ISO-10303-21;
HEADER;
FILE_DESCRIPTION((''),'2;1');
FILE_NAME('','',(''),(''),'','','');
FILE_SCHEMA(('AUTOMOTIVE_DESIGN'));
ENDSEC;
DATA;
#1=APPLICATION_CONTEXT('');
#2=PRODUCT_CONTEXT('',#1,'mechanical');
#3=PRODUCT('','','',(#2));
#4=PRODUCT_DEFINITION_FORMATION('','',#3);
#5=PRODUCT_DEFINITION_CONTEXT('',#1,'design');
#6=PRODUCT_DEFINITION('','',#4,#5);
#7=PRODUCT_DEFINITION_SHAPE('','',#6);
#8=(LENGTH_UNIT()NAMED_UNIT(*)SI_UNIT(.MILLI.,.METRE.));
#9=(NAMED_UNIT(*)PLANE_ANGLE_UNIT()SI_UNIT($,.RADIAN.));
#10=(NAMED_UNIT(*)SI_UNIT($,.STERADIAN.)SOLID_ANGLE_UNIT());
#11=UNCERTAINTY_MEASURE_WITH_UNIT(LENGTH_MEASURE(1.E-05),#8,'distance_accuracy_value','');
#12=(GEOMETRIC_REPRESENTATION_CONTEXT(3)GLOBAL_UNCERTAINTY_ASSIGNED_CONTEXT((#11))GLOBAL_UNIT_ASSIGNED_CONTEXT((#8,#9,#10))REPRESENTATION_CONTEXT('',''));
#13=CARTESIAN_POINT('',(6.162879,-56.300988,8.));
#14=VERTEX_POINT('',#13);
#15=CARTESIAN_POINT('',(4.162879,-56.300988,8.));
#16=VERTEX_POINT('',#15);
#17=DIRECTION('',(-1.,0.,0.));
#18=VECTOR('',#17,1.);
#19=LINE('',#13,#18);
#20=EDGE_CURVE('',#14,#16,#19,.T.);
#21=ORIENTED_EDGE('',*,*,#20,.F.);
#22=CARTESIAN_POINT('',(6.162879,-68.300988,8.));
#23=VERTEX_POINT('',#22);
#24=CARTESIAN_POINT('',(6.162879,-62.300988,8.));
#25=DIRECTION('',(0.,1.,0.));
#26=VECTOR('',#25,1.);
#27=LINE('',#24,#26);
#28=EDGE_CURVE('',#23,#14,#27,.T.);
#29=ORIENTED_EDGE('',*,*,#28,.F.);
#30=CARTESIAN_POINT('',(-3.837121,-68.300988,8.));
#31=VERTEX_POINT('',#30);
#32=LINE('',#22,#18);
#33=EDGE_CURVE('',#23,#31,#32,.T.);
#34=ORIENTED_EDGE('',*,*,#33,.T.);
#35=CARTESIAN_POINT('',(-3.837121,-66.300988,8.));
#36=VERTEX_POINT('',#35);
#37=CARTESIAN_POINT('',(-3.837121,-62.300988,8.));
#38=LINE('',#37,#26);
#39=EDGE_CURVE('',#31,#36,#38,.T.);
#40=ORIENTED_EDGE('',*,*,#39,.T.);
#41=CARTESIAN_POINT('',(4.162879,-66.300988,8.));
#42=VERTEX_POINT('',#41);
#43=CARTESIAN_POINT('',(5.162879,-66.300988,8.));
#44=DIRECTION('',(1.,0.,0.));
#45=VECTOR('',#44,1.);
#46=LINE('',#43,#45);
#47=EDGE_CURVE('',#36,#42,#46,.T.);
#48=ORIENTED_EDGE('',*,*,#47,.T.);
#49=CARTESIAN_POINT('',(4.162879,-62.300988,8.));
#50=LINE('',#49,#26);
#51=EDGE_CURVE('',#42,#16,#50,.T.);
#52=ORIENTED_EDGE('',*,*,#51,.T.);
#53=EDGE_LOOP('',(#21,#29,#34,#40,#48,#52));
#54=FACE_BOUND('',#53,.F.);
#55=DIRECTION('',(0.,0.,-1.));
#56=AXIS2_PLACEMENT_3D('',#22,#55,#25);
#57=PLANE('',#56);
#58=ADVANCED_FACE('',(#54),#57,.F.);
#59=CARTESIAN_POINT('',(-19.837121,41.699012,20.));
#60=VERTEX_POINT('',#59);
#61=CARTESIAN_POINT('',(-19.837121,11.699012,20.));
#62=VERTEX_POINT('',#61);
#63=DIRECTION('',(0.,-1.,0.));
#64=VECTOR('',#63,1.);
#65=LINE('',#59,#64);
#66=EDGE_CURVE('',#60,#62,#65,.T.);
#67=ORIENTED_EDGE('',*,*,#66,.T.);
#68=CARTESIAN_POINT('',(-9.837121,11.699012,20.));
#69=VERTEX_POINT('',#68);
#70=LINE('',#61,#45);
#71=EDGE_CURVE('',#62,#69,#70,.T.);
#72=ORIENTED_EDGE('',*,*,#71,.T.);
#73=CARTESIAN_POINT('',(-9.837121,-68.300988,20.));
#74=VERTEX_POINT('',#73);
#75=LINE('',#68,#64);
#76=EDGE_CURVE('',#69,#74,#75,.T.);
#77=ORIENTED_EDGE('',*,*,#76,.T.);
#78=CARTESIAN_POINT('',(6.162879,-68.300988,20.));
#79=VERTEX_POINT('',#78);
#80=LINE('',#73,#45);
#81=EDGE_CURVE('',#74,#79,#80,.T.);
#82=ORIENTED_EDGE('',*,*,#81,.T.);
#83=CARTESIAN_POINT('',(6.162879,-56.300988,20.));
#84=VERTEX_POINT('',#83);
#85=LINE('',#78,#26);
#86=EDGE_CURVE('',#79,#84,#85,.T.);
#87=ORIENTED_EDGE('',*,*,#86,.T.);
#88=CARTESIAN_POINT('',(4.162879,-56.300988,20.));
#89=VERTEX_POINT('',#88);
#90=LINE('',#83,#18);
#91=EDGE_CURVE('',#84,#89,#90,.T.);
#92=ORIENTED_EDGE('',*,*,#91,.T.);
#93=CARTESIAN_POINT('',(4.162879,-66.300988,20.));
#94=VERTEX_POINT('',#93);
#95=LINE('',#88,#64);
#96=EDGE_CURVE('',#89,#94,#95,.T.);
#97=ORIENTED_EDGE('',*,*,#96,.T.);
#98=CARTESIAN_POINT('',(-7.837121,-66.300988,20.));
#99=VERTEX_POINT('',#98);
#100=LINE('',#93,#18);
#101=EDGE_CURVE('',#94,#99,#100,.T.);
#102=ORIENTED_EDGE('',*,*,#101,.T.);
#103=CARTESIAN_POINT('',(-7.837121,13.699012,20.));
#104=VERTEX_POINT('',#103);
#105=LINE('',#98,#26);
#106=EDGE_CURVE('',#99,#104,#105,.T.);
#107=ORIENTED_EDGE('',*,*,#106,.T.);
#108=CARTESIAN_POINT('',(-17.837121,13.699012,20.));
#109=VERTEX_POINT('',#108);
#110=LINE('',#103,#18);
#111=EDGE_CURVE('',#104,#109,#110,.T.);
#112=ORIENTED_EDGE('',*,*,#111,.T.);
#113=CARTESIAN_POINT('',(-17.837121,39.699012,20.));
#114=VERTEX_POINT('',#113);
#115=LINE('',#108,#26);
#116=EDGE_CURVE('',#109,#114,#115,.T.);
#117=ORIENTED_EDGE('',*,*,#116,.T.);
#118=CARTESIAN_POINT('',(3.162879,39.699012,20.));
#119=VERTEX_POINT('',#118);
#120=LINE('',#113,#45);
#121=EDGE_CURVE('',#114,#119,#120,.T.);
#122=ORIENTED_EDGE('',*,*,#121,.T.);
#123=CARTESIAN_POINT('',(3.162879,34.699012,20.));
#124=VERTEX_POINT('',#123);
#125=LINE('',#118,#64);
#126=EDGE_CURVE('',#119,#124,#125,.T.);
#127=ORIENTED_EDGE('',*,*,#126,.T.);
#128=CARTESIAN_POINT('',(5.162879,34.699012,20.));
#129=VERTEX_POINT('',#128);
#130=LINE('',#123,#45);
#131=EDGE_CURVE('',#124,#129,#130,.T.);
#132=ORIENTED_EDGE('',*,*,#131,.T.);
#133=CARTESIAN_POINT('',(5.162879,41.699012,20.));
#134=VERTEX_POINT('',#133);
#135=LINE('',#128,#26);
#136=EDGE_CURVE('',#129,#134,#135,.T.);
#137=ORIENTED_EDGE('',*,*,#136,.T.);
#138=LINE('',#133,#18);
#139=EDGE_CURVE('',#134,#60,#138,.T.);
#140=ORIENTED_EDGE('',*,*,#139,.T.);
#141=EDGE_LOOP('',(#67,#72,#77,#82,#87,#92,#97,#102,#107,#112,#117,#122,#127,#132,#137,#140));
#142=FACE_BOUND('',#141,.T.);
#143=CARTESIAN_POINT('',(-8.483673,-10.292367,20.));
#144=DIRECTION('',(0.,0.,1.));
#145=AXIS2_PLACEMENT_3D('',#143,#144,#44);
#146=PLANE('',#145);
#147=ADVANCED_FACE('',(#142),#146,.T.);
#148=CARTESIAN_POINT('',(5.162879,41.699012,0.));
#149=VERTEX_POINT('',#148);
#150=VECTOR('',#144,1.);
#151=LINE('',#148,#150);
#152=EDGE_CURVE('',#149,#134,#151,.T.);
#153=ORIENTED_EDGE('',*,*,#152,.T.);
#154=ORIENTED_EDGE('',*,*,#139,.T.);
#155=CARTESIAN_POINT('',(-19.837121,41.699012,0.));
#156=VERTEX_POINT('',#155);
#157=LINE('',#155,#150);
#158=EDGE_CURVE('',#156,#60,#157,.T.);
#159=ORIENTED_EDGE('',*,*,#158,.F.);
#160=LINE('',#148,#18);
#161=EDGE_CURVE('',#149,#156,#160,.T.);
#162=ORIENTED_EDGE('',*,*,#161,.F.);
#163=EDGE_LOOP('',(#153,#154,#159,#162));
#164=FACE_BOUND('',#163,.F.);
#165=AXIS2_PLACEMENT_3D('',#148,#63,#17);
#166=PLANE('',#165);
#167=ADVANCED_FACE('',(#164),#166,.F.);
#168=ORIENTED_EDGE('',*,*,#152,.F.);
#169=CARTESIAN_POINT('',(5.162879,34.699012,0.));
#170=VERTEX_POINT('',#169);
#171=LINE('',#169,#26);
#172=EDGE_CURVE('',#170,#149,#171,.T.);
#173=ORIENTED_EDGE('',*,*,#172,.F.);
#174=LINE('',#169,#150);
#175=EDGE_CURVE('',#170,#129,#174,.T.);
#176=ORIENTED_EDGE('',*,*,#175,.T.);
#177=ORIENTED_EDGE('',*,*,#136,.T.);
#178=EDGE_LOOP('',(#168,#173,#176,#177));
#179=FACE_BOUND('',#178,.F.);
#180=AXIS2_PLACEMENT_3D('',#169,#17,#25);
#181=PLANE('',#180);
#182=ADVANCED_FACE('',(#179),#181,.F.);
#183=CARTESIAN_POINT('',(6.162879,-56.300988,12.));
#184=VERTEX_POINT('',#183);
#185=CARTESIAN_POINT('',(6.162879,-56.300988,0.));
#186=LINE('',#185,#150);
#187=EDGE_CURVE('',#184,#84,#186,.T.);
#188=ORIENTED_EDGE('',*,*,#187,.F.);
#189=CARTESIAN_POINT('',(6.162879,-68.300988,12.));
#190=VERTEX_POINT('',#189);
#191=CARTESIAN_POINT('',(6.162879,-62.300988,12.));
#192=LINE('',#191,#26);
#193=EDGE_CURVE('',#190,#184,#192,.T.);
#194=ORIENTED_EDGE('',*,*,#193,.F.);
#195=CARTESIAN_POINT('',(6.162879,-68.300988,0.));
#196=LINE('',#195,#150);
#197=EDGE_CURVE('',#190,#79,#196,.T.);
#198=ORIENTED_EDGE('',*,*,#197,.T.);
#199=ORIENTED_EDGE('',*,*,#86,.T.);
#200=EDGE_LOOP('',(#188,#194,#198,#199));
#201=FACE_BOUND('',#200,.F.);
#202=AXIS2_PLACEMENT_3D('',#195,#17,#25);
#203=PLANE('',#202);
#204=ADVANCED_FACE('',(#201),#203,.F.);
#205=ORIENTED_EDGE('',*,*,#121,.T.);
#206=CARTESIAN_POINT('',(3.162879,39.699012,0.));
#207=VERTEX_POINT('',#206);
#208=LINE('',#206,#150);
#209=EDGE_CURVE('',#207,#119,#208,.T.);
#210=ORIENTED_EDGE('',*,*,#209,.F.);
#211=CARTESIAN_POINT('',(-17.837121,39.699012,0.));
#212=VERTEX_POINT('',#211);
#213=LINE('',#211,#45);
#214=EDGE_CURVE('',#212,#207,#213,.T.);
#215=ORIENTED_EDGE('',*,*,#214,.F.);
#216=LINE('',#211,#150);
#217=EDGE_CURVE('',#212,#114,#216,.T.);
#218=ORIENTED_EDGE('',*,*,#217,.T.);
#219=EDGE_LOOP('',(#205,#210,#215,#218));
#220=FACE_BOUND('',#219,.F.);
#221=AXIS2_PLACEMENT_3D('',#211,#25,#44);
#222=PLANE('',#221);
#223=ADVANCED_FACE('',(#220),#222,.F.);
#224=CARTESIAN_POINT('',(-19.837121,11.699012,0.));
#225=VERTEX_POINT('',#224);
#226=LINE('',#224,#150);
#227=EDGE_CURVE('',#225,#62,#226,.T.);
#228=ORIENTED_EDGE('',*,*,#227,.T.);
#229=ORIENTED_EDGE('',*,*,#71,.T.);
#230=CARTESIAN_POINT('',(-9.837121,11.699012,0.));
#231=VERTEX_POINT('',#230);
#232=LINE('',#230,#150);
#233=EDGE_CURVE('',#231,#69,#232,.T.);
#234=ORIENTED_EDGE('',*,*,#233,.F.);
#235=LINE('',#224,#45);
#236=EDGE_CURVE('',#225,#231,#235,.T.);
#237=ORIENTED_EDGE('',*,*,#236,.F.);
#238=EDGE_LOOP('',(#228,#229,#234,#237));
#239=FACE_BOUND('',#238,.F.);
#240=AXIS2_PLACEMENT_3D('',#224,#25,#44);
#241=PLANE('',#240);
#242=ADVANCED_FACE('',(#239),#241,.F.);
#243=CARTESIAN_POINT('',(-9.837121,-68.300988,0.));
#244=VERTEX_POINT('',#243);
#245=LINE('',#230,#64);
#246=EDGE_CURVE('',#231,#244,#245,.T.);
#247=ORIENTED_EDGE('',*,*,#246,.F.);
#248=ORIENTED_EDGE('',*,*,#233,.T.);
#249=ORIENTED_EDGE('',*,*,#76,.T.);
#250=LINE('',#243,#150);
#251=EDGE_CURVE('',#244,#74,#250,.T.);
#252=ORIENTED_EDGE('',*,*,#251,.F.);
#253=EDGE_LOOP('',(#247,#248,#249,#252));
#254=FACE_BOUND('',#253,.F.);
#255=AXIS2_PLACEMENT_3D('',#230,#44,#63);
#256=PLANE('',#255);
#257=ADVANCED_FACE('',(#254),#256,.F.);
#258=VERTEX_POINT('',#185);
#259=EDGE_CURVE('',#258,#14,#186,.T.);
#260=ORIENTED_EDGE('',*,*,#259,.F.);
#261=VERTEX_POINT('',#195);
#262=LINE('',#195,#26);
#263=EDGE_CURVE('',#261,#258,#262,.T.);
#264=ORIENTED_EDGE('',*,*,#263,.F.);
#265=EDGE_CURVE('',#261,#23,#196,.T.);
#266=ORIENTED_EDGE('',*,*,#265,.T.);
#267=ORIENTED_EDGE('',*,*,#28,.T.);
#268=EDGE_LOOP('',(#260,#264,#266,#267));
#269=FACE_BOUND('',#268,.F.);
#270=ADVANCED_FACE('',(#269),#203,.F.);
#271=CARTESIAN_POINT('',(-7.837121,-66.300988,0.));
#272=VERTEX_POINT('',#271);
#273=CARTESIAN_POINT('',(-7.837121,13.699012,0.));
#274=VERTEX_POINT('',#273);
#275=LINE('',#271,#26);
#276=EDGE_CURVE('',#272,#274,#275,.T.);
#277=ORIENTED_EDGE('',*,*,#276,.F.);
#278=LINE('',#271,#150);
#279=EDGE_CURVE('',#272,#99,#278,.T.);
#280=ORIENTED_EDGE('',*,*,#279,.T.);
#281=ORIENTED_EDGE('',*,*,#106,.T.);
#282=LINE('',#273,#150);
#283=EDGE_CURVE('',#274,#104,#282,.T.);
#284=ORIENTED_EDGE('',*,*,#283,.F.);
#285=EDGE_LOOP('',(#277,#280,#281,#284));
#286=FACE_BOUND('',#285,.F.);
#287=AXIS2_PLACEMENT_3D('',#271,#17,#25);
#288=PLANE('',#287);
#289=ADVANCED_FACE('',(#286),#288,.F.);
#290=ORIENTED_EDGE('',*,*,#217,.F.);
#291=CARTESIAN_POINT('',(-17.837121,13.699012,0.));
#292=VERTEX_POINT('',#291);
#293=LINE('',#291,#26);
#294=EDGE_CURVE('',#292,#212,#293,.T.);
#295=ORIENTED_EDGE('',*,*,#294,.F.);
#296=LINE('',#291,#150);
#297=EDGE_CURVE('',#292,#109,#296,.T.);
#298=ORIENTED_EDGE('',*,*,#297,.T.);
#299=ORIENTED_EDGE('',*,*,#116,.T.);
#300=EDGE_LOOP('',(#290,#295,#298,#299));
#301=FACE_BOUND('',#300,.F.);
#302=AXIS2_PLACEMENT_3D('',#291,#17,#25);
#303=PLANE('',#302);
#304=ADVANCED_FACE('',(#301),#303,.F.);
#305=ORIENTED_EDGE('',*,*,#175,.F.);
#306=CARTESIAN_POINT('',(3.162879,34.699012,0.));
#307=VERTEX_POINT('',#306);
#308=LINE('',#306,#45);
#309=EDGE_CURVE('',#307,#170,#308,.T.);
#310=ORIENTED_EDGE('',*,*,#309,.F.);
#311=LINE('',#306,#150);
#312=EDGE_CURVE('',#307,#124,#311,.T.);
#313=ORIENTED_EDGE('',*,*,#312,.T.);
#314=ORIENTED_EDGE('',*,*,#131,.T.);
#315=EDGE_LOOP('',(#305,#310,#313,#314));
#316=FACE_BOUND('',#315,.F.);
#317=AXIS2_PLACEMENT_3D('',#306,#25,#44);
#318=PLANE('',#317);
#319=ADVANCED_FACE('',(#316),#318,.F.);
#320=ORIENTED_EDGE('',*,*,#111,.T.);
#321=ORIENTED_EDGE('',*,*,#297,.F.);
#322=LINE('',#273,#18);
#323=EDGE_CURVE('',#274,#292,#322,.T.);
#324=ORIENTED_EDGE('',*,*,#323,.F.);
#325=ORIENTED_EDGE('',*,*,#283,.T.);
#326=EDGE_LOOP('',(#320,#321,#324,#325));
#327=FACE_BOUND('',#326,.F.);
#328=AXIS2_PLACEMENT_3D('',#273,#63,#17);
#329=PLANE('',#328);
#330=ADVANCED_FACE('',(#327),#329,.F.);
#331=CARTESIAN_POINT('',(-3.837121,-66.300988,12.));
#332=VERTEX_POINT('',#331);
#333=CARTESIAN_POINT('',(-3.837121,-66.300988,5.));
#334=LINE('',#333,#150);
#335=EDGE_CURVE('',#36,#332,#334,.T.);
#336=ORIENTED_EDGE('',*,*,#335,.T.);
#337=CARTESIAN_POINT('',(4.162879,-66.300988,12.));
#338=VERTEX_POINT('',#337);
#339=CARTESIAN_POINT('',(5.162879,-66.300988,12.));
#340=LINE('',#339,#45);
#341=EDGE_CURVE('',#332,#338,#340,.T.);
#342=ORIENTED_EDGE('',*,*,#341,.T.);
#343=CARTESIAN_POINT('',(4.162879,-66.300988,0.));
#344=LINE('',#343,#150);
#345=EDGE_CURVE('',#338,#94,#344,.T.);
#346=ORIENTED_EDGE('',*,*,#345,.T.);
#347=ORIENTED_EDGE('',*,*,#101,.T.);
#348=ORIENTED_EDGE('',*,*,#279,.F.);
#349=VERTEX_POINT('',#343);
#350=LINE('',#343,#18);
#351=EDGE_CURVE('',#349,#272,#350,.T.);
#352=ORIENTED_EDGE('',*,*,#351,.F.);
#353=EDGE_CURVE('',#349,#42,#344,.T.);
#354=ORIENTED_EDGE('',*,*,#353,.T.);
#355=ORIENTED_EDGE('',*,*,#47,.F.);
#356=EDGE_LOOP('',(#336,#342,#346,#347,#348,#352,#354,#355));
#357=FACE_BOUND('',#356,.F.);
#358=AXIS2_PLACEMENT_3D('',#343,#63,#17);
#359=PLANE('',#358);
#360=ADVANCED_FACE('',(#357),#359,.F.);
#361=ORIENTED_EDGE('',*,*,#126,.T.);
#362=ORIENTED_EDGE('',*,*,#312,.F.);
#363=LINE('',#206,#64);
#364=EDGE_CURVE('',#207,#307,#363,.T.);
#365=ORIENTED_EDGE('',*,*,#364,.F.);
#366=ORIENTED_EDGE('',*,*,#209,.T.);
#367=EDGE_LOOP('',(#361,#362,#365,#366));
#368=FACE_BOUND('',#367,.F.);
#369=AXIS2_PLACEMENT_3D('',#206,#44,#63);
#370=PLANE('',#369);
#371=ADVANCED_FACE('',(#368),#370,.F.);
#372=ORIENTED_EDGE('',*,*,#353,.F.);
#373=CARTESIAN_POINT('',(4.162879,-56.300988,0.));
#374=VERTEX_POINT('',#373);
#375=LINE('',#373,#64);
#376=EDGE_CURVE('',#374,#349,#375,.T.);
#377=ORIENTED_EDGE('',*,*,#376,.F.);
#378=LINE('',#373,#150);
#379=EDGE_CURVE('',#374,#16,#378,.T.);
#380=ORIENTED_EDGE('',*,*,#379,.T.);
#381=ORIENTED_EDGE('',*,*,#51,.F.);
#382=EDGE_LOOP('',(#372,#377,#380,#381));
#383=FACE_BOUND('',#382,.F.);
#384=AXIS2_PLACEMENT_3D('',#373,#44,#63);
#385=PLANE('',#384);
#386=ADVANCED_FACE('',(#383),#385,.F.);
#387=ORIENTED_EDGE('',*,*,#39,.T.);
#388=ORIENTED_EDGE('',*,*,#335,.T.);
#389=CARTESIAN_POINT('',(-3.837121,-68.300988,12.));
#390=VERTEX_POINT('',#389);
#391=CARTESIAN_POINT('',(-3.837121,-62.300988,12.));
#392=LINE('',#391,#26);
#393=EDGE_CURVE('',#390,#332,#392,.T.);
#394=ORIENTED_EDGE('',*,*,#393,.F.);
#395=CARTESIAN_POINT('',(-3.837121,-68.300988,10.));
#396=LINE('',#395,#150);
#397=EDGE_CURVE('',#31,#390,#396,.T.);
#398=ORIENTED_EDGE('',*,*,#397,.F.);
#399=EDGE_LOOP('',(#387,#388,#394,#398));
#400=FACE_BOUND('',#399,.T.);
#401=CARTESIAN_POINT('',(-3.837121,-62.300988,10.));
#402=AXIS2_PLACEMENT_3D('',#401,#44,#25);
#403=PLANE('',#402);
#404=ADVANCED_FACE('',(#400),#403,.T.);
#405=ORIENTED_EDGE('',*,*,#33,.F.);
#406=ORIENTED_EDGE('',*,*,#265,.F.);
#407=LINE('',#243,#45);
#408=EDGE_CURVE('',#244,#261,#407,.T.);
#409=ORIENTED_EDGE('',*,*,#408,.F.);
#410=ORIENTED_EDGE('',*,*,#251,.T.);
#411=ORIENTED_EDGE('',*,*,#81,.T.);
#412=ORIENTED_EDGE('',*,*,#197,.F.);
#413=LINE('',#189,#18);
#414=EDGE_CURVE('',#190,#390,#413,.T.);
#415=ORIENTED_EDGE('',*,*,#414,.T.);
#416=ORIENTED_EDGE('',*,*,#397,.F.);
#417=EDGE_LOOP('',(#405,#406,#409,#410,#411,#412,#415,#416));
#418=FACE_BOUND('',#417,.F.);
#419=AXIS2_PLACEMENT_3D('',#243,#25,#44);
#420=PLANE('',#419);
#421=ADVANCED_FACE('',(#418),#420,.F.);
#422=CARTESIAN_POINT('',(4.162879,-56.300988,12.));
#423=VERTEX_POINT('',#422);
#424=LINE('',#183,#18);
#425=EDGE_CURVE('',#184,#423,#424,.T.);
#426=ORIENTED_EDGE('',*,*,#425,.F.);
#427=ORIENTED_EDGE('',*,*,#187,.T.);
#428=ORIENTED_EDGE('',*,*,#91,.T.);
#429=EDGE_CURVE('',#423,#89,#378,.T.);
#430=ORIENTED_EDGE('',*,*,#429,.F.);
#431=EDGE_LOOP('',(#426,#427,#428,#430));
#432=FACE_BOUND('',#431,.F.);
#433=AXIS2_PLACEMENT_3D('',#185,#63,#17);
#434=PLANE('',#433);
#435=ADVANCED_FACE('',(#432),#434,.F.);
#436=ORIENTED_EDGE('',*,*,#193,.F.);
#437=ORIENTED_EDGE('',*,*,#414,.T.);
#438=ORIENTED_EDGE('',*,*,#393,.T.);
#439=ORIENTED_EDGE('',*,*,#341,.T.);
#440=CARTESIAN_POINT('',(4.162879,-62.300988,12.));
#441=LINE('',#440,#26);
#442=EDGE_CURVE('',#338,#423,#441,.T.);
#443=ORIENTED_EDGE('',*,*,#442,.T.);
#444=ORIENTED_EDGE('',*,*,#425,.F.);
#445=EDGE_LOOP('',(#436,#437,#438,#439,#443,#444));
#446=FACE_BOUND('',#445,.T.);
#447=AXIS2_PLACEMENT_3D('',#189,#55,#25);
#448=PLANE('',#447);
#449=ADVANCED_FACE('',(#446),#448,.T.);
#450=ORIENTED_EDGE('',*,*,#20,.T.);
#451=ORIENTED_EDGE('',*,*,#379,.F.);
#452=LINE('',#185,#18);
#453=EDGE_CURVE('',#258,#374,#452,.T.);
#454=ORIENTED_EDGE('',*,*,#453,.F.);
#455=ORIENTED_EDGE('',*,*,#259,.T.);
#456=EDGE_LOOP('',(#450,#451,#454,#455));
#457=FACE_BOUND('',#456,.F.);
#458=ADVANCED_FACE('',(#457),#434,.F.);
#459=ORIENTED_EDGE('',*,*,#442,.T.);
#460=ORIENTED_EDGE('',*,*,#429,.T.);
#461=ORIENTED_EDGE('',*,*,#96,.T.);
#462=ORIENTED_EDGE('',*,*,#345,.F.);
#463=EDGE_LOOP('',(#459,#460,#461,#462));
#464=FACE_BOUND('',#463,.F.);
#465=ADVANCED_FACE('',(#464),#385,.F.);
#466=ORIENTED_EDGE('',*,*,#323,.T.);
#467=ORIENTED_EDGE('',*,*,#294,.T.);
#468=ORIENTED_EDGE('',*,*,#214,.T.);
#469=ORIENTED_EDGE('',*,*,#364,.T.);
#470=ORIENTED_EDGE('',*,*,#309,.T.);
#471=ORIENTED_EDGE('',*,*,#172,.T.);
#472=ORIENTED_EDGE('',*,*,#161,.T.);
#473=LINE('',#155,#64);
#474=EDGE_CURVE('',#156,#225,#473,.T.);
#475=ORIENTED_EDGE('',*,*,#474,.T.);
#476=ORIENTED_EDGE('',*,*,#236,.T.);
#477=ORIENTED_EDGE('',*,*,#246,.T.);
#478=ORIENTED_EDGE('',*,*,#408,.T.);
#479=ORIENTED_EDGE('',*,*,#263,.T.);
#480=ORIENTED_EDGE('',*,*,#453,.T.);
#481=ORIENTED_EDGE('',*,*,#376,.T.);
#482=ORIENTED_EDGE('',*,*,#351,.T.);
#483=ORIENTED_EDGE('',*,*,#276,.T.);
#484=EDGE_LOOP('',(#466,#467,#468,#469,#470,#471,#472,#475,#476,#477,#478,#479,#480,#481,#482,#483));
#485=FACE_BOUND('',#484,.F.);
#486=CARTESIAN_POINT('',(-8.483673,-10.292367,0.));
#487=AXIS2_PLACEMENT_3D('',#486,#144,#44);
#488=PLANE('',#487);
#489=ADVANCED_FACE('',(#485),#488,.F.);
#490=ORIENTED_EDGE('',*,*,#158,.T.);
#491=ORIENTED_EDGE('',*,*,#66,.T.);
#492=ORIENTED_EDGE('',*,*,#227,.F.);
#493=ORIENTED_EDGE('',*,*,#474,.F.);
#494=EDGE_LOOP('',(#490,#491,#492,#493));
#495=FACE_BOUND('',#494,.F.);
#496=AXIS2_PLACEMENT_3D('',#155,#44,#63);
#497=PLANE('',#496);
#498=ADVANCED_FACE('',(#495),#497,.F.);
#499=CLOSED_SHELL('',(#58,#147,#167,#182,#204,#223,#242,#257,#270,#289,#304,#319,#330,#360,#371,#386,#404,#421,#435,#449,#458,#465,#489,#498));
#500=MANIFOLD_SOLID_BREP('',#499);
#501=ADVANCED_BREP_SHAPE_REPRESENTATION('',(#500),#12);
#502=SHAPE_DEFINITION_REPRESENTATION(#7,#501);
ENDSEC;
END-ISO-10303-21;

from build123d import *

# Parameters (mm, degrees)
F1_DEPTH = 20
F2_W     = 12
F2_H     = 4
F3_DEPTH = 10


with BuildPart() as f1:
    # F0 (on Top) → F1 (new body)
    with BuildSketch(Plane.XY):
        Polygon((3.162879, 39.699012), (3.162879, 34.699012), (5.162879, 34.699012), (5.162879, 41.699012), (-19.837121, 41.699012), (-19.837121, 11.699012), (-9.837121, 11.699012), (-9.837121, -68.300988), (6.162879, -68.300988), (6.162879, -56.300988), (4.162879, -56.300988), (4.162879, -66.300988), (-7.837121, -66.300988), (-7.837121, 13.699012), (-17.837121, 13.699012), (-17.837121, 39.699012), align=None)
    extrude(amount=F1_DEPTH)

    # F2 (on face) → F3 (cut)
    with BuildSketch(Plane.YZ.offset(6.162879)):
        with Locations((-62.300988, 10)):
            Rectangle(F2_W, F2_H)
    extrude(amount=-F3_DEPTH, mode=Mode.SUBTRACT)


solid = f1.part
